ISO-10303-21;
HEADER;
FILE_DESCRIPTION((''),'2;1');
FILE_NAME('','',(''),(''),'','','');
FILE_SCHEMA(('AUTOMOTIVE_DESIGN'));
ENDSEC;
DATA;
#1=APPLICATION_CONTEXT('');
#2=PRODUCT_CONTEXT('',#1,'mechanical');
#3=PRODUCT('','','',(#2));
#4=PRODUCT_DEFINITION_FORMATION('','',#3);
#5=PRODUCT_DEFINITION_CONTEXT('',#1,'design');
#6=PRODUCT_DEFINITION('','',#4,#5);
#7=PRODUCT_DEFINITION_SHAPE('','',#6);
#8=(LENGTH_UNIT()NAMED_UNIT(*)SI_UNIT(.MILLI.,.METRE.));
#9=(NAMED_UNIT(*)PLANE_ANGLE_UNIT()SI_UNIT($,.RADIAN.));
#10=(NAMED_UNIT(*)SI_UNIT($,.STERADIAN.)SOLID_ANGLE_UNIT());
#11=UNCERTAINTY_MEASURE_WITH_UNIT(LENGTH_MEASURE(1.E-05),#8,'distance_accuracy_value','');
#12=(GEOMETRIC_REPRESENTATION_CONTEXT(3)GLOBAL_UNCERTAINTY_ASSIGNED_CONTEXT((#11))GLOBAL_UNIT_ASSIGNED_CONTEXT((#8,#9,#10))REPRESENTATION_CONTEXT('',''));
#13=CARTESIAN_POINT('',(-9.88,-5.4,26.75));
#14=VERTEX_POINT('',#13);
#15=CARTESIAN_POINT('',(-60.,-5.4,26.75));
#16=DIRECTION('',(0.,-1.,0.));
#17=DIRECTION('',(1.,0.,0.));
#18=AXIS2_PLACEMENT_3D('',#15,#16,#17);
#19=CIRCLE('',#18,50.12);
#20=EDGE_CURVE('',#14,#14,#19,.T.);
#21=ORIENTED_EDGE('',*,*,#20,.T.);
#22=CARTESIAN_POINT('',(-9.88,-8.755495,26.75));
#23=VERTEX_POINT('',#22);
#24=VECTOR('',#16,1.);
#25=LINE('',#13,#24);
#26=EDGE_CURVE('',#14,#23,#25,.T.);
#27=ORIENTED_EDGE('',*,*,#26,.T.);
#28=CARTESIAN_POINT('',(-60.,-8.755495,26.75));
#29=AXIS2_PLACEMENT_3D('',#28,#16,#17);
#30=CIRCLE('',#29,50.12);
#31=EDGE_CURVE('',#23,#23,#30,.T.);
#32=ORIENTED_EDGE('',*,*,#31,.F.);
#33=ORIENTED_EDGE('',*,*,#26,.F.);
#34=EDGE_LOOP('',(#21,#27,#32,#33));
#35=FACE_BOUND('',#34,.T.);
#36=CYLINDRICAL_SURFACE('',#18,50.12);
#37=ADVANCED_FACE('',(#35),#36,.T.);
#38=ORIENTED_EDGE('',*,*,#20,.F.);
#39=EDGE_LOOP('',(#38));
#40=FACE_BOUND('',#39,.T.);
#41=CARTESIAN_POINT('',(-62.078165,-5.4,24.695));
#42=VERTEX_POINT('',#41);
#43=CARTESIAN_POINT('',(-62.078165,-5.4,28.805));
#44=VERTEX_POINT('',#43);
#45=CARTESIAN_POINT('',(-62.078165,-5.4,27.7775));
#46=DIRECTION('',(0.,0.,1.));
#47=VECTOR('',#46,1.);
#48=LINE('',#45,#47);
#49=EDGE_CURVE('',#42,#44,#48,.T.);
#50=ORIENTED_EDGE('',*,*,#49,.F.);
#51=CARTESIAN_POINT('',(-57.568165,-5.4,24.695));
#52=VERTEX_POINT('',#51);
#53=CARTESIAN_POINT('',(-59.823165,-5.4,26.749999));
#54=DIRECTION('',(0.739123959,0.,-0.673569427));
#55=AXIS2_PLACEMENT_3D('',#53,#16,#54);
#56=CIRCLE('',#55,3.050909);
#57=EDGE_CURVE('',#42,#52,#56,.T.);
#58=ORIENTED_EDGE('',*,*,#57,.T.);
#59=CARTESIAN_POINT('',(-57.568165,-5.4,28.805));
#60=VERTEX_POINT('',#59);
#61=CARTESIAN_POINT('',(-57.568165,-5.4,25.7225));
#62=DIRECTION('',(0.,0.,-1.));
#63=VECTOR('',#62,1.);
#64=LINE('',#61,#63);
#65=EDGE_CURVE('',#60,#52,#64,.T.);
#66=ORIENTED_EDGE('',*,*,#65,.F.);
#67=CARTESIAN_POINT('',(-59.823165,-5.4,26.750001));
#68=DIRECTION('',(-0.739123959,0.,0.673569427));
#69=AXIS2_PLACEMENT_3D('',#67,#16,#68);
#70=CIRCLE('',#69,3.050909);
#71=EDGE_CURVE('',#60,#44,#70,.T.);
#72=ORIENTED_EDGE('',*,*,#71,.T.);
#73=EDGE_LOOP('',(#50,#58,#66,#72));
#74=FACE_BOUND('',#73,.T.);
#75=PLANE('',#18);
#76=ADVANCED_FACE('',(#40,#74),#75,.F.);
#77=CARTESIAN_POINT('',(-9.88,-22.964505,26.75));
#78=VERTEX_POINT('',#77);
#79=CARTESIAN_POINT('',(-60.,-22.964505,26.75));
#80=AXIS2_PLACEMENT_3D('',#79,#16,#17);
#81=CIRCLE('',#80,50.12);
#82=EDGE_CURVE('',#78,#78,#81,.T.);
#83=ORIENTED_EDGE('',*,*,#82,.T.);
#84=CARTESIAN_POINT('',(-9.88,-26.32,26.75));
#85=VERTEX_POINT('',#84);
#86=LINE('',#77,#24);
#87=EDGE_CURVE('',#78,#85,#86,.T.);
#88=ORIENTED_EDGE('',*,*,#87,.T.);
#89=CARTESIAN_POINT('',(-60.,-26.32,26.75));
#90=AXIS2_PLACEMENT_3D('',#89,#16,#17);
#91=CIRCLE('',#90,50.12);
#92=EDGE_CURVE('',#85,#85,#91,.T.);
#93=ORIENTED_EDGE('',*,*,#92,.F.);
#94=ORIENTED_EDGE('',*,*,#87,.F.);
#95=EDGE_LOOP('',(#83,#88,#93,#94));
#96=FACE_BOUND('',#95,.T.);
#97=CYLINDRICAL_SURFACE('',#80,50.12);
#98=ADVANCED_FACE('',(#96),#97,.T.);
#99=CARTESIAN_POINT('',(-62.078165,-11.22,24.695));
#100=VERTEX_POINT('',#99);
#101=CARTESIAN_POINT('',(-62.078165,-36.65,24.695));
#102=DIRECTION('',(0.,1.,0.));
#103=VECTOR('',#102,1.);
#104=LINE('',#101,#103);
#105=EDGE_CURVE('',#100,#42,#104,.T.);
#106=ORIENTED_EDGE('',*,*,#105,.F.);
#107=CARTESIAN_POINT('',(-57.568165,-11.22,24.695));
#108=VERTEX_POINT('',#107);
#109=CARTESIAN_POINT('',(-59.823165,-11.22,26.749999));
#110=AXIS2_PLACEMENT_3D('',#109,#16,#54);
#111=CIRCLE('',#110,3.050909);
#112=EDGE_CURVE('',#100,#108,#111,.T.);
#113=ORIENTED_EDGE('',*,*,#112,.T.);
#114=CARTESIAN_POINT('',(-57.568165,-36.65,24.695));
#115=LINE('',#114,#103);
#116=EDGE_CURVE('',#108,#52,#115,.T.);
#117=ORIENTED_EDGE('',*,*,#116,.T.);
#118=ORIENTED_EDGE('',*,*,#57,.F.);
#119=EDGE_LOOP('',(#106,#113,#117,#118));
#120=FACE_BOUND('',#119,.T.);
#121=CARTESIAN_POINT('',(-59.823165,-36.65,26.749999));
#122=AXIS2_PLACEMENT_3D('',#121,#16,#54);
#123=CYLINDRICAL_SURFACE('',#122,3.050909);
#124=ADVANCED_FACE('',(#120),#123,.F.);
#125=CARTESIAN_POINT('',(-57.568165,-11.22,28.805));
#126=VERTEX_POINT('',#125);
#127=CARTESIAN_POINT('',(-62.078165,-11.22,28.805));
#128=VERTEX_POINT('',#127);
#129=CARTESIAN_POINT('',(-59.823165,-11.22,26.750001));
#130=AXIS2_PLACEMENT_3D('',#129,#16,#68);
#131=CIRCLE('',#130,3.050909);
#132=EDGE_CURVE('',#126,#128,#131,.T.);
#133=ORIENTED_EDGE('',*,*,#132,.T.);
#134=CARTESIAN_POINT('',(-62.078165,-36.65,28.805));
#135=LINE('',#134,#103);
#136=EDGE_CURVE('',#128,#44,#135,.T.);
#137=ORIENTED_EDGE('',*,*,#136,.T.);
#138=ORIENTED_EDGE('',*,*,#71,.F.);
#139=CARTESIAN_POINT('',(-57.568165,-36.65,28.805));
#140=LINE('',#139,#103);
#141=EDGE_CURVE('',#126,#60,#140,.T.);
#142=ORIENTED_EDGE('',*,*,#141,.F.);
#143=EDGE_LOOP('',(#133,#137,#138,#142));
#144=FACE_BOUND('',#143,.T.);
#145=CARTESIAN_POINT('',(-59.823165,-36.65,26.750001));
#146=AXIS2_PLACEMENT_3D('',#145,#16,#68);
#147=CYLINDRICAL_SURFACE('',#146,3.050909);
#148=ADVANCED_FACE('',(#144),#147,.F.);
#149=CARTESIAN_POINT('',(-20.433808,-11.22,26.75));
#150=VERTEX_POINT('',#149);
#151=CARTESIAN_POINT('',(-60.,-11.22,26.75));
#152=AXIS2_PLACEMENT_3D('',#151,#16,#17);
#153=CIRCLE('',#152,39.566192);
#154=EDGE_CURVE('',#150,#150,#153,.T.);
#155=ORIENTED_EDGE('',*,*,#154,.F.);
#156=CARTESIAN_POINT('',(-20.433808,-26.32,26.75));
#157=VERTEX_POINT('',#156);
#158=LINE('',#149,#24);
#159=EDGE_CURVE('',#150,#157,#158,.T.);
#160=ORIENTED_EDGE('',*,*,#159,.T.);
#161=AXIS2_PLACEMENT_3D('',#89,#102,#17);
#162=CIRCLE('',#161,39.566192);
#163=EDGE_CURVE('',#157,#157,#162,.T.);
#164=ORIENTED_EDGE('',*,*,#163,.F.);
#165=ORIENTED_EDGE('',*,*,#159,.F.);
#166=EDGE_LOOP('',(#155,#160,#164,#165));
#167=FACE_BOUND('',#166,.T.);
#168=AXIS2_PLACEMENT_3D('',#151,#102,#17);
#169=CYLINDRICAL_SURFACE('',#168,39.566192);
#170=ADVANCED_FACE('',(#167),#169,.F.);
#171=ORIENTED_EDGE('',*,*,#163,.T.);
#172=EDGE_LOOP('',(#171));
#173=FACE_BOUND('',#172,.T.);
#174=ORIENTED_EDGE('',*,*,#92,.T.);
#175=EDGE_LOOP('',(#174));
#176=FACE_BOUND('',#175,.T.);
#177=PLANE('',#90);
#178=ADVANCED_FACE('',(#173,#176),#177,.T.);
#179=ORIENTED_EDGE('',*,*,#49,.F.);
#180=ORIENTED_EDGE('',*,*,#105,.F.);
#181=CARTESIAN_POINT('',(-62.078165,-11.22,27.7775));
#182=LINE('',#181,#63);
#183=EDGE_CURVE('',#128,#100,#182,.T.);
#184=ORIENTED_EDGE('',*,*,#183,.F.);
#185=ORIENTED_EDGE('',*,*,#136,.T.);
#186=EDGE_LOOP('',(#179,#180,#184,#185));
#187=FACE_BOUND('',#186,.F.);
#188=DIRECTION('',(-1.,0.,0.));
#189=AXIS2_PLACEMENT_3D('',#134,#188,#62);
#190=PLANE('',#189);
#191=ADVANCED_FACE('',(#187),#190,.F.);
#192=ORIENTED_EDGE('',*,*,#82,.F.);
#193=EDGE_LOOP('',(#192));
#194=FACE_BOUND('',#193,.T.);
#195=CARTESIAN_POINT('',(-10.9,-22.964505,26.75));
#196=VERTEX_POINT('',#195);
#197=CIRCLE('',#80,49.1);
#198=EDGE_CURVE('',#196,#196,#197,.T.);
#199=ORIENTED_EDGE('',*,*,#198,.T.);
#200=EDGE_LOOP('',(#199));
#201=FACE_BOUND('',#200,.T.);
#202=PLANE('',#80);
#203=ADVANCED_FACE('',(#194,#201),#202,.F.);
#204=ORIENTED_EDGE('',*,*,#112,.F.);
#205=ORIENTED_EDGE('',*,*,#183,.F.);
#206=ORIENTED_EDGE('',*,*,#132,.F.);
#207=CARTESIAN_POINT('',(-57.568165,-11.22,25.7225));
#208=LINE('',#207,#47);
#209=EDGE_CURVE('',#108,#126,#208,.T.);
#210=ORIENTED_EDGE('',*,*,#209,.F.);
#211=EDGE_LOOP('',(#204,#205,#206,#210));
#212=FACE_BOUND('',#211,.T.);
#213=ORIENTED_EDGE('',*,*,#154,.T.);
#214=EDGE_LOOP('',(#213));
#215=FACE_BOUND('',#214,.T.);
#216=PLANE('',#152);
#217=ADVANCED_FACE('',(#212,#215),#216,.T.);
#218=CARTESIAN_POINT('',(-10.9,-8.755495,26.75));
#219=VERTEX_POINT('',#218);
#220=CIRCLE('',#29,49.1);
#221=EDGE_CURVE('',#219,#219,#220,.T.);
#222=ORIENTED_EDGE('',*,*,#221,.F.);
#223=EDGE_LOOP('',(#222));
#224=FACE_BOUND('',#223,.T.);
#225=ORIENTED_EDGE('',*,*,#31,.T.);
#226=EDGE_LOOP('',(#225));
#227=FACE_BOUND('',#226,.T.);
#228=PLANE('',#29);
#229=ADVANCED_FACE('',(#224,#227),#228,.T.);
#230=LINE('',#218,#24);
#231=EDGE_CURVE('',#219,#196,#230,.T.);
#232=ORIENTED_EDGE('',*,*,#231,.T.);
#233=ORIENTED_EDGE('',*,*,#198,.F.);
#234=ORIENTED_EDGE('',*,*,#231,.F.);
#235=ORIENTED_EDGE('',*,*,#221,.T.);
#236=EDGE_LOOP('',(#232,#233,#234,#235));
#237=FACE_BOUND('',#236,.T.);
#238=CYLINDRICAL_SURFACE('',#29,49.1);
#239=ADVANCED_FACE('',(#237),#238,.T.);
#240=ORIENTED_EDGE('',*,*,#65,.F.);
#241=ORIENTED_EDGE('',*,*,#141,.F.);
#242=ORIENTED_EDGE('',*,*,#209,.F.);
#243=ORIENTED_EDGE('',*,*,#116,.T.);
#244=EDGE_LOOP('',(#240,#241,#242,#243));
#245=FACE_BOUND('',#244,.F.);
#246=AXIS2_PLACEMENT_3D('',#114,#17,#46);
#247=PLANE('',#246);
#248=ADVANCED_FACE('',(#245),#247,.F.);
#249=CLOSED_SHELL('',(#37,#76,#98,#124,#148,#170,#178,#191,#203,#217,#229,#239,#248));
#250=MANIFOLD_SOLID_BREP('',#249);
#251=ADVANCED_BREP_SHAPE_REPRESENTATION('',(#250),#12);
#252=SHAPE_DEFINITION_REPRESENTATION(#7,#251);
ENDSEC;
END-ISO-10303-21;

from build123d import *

# Parameters (mm, degrees)
EXTRUDE019_DEPTH           = 40
EXTRUDE019_ROLL_ANGLE      = -90
EXTRUDE019_PLACEMENT_ANGLE = 90
SKETCH001_R                = 39.566192
EXTRUDE_DEPTH              = 20
CUT001_PLACEMENT_ANGLE     = 90


with BuildPart() as pieza_clave_motor003:
    # Sketch021 → Extrude019 (new body)
    with BuildSketch(Plane(origin=(0, -17.4, 11), x_dir=(-1, 0, 0), z_dir=(0, 1, 0))):
        with BuildLine():
            Line((-2.055, -8.921835), (2.055, -8.921835))
            ThreePointArc((2.055, -13.431835), (3.05091, -11.176835), (2.055, -8.921835))
            Line((2.055, -13.431835), (-2.055, -13.431835))
            ThreePointArc((-2.055, -8.921835), (-3.05091, -11.176835), (-2.055, -13.431835))
        make_face()
    extrude(amount=EXTRUDE019_DEPTH)


with BuildPart() as pieza_clave_motor003_1:
    # Extrude019 roll: moved
    add(pieza_clave_motor003.part.rotate(Axis((0, 0, 0), (1, 0, 0)), EXTRUDE019_ROLL_ANGLE))


with BuildPart() as pieza_clave_motor003_2:
    # Extrude019 placement: moved
    add(pieza_clave_motor003_1.part.moved(Location((0, 0, 13.85))).rotate(Axis((0, 0, 13.85), (0, 0, 1)), EXTRUDE019_PLACEMENT_ANGLE))


with BuildPart() as extrude_body:
    # Sketch001 (on Face7 of Revolve) → Extrude (new body)
    with BuildSketch(Plane.XY.offset(20.92)):
        Circle(SKETCH001_R)
    extrude(amount=EXTRUDE_DEPTH)


with BuildPart() as extrude_body_1:
    # Extrude placement: moved
    add(extrude_body.part.moved(Location((0, 0, -15.1))))


with BuildPart() as rueda_trasera:
    # Sketch → Revolve (revolve)
    with BuildSketch(Plane.XZ):
        Polygon((0, 0), (50.12, 0), (50.12, 3.355495), (49.1, 3.355495), (49.1, 17.564505), (50.12, 17.564505), (50.12, 20.92), (0, 20.92), align=None)
    revolve(axis=Axis((0, 0, 0), (0, 0, 1)))

    # Cut030: cut Extrude body
    add(extrude_body_1.part, mode=Mode.SUBTRACT)

    # Cut001: cut Pieza Clave motor003
    add(pieza_clave_motor003_2.part, mode=Mode.SUBTRACT)


with BuildPart() as rueda_trasera_1:
    # Cut001 placement: moved
    add(rueda_trasera.part.moved(Location((-60, -5.4, 26.75))).rotate(Axis((-60, -5.4, 26.75), (1, 0, 0)), CUT001_PLACEMENT_ANGLE))


solid = rueda_trasera_1.part
